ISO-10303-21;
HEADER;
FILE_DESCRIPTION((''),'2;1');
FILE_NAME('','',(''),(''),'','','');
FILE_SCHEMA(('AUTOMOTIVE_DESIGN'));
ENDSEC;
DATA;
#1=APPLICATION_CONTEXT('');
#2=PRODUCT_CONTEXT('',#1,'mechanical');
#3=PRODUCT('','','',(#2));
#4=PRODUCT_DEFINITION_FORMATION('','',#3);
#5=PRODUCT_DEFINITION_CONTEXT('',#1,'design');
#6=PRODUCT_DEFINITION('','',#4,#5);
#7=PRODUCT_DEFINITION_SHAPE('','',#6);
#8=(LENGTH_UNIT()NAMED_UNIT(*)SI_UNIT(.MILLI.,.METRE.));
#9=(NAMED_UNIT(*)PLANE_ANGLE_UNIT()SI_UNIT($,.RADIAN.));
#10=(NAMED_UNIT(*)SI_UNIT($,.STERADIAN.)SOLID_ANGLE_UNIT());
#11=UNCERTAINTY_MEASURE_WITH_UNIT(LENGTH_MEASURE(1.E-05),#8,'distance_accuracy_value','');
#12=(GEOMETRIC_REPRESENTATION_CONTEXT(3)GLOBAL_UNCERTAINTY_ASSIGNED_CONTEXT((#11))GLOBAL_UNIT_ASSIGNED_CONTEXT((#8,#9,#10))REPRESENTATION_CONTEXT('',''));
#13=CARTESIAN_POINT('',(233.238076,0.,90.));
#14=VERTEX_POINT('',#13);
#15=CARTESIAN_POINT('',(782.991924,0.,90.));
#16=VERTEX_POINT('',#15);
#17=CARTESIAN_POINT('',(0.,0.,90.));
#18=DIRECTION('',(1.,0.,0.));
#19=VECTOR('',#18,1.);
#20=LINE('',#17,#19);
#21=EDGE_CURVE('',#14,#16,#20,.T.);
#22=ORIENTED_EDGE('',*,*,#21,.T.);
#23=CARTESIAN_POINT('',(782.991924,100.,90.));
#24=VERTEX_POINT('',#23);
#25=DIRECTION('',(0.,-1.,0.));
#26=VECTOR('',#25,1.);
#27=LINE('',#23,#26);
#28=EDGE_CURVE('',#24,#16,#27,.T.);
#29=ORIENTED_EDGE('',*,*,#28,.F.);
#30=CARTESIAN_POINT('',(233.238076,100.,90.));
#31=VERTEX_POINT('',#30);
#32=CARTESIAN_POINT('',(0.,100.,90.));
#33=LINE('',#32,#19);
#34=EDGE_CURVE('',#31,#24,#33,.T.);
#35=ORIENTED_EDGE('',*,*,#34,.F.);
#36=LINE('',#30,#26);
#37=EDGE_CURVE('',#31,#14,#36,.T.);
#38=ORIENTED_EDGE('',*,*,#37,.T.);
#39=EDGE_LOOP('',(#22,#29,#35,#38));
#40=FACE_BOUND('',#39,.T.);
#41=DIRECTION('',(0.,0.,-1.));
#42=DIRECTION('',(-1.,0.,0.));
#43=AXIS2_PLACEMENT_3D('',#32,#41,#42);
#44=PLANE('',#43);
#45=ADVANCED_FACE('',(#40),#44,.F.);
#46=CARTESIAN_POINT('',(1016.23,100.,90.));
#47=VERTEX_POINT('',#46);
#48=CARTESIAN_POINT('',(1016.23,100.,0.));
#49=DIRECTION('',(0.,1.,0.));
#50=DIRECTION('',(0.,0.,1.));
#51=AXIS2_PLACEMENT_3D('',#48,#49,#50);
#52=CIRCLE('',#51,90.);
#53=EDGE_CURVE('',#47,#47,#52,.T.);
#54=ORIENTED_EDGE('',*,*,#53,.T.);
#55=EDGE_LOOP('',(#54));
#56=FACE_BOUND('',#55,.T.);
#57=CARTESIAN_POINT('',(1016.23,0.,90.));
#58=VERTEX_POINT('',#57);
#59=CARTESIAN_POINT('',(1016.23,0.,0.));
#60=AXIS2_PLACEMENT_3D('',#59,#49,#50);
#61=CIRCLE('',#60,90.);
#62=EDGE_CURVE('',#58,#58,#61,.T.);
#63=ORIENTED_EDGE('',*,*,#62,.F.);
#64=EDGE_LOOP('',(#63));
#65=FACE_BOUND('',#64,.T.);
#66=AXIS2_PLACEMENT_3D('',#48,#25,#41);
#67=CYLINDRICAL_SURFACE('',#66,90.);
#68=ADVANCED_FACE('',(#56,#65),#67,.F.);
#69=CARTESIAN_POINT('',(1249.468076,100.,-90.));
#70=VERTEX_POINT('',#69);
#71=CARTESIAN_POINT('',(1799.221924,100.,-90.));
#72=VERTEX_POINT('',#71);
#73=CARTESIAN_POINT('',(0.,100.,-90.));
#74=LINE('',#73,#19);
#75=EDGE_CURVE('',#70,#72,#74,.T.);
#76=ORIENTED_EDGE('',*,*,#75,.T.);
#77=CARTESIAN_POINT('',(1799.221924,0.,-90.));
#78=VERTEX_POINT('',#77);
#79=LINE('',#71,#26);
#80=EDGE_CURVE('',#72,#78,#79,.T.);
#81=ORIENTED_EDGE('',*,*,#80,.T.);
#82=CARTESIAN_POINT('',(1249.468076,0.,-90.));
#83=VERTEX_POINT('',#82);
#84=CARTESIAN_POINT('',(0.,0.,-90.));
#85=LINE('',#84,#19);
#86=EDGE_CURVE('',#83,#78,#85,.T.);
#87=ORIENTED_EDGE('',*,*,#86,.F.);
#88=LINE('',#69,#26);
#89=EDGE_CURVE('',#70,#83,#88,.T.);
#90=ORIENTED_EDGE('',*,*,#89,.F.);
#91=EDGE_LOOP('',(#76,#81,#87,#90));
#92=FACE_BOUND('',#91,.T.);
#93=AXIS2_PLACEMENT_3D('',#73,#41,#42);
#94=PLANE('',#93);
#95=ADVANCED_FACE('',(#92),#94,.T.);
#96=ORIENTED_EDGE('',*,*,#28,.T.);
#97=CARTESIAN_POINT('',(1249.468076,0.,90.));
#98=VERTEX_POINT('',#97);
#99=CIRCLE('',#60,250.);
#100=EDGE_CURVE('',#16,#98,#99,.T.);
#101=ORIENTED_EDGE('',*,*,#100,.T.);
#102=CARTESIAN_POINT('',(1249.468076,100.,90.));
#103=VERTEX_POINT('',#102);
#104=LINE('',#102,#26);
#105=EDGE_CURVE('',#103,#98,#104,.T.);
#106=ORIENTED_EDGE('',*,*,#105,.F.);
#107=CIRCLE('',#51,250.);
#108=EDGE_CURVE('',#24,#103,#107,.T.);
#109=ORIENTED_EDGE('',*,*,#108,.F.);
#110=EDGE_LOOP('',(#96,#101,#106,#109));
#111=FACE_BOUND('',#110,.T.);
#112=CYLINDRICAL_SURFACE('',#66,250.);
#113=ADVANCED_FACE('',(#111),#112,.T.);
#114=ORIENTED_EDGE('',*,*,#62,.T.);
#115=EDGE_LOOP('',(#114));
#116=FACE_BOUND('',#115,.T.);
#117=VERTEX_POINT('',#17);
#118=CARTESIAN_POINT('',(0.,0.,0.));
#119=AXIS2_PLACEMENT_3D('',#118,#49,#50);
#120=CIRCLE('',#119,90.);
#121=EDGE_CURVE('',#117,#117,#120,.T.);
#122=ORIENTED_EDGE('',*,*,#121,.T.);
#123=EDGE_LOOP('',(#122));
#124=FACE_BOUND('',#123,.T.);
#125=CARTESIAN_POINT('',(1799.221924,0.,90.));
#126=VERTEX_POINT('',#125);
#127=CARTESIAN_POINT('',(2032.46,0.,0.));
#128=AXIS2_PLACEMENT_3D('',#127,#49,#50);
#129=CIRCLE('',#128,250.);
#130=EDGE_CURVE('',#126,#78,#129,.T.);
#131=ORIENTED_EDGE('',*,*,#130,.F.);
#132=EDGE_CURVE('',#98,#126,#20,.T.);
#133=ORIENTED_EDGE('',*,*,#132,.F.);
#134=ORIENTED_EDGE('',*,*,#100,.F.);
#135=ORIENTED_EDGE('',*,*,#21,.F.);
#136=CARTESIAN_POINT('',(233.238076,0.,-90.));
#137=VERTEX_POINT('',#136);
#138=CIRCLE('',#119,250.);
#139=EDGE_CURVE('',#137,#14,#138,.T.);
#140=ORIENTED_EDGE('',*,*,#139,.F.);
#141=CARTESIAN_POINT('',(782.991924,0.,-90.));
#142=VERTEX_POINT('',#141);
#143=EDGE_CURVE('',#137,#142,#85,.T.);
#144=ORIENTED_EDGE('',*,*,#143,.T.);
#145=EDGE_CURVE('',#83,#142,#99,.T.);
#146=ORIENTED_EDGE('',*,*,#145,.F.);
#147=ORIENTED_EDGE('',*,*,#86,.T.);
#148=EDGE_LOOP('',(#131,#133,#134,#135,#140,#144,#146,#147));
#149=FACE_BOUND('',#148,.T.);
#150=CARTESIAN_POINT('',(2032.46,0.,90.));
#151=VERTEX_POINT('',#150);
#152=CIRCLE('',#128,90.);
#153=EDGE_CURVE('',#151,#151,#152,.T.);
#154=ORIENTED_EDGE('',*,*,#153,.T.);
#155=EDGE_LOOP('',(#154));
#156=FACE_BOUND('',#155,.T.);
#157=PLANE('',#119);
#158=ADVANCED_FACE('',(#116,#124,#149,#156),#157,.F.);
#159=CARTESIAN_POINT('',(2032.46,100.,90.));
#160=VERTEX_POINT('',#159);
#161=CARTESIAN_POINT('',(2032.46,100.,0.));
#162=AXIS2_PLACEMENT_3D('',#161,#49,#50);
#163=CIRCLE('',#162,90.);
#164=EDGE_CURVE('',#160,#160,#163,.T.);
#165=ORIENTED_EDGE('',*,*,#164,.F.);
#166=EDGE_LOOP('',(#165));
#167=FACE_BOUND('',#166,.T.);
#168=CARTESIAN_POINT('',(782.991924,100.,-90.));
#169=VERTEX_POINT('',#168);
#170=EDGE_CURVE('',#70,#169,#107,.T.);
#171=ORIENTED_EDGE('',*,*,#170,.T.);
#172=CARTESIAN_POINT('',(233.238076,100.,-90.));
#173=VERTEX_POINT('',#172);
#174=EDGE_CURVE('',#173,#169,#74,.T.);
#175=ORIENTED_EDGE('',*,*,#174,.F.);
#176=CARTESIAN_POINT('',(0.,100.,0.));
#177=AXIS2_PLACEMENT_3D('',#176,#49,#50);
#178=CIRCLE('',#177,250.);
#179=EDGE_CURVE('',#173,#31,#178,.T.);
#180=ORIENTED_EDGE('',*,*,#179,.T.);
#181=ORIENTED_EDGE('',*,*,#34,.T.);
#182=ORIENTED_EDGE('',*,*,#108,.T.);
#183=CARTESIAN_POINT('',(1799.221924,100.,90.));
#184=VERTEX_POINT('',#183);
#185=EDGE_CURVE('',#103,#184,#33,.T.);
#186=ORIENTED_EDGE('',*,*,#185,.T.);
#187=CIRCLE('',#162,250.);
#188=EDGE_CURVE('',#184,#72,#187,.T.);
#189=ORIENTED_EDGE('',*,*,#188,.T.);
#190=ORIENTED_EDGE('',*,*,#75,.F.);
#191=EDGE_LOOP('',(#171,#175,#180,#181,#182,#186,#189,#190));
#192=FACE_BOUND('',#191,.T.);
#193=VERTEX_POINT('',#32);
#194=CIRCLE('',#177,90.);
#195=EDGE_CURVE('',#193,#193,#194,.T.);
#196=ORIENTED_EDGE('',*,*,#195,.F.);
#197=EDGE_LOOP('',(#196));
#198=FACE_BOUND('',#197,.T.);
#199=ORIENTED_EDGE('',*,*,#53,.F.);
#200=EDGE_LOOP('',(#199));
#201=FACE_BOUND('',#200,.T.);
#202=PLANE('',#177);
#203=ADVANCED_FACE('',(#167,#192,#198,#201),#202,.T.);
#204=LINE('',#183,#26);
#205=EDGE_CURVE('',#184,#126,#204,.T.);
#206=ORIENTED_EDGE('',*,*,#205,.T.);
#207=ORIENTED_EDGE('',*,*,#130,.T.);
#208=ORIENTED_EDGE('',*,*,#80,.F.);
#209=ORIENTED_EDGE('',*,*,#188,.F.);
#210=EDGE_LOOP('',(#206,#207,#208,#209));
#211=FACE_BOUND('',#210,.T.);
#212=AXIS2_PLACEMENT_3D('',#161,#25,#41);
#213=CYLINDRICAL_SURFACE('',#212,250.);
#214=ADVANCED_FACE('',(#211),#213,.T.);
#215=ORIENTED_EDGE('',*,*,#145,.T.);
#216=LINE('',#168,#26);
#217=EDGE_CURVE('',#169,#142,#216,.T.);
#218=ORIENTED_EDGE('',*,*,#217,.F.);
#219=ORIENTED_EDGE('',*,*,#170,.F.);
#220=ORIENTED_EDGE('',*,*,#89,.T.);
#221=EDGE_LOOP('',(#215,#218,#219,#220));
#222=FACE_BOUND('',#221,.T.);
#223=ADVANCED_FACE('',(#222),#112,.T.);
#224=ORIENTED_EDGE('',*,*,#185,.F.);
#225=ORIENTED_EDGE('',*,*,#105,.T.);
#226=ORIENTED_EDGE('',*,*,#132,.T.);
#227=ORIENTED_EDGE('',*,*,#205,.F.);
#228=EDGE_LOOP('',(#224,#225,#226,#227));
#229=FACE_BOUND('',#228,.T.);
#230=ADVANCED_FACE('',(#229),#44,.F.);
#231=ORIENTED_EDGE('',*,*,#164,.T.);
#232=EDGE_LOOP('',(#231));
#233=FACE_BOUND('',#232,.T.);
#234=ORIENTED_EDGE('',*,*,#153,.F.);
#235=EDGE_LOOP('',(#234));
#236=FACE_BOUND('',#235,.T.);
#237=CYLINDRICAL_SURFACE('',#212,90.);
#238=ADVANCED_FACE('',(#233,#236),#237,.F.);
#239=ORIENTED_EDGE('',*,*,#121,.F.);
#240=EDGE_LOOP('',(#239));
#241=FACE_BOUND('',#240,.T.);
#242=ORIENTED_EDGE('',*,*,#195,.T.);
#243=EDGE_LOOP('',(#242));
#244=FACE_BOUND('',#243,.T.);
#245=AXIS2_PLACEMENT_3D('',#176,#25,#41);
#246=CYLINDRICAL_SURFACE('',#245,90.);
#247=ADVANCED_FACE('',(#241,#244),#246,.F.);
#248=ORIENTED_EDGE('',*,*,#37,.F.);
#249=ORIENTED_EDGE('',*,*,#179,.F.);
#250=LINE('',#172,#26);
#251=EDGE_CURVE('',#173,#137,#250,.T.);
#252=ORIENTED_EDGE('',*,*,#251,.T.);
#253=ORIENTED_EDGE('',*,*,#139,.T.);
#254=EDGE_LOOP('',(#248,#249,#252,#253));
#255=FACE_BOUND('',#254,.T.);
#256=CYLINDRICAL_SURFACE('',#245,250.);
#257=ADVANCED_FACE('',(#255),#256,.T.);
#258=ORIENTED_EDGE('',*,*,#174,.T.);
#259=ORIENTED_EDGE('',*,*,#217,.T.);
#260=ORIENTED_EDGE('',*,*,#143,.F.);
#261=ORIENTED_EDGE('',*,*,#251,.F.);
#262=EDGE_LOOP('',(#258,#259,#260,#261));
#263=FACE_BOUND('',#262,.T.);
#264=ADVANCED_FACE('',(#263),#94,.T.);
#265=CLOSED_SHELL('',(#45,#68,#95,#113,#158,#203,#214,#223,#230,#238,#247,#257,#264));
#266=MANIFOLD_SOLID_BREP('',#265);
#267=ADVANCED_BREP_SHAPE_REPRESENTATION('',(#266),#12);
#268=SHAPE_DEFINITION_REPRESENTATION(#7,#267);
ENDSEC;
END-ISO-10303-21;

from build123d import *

# Parameters (mm, degrees)
SKETCH1_R           = 90
BOSS_EXTRUDE1_DEPTH = 100


with BuildPart() as part:
    # Sketch1 → Boss-Extrude1 (new body)
    with BuildSketch(Plane(origin=(0, 0, 0), x_dir=(1, 0, 0), z_dir=(0, 1, 0))):
        with BuildLine():
            ThreePointArc((233.238075794, 90), (-250, 0), (233.238075794, -90))
            Line((233.238075794, -90), (782.991924206, -90))
            ThreePointArc((782.991924206, -90), (1016.23, -250), (1249.468075794, -90))
            Line((1249.468075794, -90), (1799.221924206, -90))
            ThreePointArc((1799.221924206, -90), (2282.46, 0), (1799.221924206, 90))
            Line((1799.221924206, 90), (1249.468075794, 90))
            ThreePointArc((1249.468075794, 90), (1016.23, 250), (782.991924206, 90))
            Line((782.991924206, 90), (233.238075794, 90))
        make_face()
        with Locations(Location((1016.23, 0, 0), (0, 0, 270))):
            Circle(SKETCH1_R, mode=Mode.SUBTRACT)
        with Locations(Location((0, 0, 0), (0, 0, 270))):
            Circle(SKETCH1_R, mode=Mode.SUBTRACT)
        with Locations(Location((2032.46, 0, 0), (0, 0, 270))):
            Circle(SKETCH1_R, mode=Mode.SUBTRACT)
    extrude(amount=BOSS_EXTRUDE1_DEPTH)


solid = part.part
